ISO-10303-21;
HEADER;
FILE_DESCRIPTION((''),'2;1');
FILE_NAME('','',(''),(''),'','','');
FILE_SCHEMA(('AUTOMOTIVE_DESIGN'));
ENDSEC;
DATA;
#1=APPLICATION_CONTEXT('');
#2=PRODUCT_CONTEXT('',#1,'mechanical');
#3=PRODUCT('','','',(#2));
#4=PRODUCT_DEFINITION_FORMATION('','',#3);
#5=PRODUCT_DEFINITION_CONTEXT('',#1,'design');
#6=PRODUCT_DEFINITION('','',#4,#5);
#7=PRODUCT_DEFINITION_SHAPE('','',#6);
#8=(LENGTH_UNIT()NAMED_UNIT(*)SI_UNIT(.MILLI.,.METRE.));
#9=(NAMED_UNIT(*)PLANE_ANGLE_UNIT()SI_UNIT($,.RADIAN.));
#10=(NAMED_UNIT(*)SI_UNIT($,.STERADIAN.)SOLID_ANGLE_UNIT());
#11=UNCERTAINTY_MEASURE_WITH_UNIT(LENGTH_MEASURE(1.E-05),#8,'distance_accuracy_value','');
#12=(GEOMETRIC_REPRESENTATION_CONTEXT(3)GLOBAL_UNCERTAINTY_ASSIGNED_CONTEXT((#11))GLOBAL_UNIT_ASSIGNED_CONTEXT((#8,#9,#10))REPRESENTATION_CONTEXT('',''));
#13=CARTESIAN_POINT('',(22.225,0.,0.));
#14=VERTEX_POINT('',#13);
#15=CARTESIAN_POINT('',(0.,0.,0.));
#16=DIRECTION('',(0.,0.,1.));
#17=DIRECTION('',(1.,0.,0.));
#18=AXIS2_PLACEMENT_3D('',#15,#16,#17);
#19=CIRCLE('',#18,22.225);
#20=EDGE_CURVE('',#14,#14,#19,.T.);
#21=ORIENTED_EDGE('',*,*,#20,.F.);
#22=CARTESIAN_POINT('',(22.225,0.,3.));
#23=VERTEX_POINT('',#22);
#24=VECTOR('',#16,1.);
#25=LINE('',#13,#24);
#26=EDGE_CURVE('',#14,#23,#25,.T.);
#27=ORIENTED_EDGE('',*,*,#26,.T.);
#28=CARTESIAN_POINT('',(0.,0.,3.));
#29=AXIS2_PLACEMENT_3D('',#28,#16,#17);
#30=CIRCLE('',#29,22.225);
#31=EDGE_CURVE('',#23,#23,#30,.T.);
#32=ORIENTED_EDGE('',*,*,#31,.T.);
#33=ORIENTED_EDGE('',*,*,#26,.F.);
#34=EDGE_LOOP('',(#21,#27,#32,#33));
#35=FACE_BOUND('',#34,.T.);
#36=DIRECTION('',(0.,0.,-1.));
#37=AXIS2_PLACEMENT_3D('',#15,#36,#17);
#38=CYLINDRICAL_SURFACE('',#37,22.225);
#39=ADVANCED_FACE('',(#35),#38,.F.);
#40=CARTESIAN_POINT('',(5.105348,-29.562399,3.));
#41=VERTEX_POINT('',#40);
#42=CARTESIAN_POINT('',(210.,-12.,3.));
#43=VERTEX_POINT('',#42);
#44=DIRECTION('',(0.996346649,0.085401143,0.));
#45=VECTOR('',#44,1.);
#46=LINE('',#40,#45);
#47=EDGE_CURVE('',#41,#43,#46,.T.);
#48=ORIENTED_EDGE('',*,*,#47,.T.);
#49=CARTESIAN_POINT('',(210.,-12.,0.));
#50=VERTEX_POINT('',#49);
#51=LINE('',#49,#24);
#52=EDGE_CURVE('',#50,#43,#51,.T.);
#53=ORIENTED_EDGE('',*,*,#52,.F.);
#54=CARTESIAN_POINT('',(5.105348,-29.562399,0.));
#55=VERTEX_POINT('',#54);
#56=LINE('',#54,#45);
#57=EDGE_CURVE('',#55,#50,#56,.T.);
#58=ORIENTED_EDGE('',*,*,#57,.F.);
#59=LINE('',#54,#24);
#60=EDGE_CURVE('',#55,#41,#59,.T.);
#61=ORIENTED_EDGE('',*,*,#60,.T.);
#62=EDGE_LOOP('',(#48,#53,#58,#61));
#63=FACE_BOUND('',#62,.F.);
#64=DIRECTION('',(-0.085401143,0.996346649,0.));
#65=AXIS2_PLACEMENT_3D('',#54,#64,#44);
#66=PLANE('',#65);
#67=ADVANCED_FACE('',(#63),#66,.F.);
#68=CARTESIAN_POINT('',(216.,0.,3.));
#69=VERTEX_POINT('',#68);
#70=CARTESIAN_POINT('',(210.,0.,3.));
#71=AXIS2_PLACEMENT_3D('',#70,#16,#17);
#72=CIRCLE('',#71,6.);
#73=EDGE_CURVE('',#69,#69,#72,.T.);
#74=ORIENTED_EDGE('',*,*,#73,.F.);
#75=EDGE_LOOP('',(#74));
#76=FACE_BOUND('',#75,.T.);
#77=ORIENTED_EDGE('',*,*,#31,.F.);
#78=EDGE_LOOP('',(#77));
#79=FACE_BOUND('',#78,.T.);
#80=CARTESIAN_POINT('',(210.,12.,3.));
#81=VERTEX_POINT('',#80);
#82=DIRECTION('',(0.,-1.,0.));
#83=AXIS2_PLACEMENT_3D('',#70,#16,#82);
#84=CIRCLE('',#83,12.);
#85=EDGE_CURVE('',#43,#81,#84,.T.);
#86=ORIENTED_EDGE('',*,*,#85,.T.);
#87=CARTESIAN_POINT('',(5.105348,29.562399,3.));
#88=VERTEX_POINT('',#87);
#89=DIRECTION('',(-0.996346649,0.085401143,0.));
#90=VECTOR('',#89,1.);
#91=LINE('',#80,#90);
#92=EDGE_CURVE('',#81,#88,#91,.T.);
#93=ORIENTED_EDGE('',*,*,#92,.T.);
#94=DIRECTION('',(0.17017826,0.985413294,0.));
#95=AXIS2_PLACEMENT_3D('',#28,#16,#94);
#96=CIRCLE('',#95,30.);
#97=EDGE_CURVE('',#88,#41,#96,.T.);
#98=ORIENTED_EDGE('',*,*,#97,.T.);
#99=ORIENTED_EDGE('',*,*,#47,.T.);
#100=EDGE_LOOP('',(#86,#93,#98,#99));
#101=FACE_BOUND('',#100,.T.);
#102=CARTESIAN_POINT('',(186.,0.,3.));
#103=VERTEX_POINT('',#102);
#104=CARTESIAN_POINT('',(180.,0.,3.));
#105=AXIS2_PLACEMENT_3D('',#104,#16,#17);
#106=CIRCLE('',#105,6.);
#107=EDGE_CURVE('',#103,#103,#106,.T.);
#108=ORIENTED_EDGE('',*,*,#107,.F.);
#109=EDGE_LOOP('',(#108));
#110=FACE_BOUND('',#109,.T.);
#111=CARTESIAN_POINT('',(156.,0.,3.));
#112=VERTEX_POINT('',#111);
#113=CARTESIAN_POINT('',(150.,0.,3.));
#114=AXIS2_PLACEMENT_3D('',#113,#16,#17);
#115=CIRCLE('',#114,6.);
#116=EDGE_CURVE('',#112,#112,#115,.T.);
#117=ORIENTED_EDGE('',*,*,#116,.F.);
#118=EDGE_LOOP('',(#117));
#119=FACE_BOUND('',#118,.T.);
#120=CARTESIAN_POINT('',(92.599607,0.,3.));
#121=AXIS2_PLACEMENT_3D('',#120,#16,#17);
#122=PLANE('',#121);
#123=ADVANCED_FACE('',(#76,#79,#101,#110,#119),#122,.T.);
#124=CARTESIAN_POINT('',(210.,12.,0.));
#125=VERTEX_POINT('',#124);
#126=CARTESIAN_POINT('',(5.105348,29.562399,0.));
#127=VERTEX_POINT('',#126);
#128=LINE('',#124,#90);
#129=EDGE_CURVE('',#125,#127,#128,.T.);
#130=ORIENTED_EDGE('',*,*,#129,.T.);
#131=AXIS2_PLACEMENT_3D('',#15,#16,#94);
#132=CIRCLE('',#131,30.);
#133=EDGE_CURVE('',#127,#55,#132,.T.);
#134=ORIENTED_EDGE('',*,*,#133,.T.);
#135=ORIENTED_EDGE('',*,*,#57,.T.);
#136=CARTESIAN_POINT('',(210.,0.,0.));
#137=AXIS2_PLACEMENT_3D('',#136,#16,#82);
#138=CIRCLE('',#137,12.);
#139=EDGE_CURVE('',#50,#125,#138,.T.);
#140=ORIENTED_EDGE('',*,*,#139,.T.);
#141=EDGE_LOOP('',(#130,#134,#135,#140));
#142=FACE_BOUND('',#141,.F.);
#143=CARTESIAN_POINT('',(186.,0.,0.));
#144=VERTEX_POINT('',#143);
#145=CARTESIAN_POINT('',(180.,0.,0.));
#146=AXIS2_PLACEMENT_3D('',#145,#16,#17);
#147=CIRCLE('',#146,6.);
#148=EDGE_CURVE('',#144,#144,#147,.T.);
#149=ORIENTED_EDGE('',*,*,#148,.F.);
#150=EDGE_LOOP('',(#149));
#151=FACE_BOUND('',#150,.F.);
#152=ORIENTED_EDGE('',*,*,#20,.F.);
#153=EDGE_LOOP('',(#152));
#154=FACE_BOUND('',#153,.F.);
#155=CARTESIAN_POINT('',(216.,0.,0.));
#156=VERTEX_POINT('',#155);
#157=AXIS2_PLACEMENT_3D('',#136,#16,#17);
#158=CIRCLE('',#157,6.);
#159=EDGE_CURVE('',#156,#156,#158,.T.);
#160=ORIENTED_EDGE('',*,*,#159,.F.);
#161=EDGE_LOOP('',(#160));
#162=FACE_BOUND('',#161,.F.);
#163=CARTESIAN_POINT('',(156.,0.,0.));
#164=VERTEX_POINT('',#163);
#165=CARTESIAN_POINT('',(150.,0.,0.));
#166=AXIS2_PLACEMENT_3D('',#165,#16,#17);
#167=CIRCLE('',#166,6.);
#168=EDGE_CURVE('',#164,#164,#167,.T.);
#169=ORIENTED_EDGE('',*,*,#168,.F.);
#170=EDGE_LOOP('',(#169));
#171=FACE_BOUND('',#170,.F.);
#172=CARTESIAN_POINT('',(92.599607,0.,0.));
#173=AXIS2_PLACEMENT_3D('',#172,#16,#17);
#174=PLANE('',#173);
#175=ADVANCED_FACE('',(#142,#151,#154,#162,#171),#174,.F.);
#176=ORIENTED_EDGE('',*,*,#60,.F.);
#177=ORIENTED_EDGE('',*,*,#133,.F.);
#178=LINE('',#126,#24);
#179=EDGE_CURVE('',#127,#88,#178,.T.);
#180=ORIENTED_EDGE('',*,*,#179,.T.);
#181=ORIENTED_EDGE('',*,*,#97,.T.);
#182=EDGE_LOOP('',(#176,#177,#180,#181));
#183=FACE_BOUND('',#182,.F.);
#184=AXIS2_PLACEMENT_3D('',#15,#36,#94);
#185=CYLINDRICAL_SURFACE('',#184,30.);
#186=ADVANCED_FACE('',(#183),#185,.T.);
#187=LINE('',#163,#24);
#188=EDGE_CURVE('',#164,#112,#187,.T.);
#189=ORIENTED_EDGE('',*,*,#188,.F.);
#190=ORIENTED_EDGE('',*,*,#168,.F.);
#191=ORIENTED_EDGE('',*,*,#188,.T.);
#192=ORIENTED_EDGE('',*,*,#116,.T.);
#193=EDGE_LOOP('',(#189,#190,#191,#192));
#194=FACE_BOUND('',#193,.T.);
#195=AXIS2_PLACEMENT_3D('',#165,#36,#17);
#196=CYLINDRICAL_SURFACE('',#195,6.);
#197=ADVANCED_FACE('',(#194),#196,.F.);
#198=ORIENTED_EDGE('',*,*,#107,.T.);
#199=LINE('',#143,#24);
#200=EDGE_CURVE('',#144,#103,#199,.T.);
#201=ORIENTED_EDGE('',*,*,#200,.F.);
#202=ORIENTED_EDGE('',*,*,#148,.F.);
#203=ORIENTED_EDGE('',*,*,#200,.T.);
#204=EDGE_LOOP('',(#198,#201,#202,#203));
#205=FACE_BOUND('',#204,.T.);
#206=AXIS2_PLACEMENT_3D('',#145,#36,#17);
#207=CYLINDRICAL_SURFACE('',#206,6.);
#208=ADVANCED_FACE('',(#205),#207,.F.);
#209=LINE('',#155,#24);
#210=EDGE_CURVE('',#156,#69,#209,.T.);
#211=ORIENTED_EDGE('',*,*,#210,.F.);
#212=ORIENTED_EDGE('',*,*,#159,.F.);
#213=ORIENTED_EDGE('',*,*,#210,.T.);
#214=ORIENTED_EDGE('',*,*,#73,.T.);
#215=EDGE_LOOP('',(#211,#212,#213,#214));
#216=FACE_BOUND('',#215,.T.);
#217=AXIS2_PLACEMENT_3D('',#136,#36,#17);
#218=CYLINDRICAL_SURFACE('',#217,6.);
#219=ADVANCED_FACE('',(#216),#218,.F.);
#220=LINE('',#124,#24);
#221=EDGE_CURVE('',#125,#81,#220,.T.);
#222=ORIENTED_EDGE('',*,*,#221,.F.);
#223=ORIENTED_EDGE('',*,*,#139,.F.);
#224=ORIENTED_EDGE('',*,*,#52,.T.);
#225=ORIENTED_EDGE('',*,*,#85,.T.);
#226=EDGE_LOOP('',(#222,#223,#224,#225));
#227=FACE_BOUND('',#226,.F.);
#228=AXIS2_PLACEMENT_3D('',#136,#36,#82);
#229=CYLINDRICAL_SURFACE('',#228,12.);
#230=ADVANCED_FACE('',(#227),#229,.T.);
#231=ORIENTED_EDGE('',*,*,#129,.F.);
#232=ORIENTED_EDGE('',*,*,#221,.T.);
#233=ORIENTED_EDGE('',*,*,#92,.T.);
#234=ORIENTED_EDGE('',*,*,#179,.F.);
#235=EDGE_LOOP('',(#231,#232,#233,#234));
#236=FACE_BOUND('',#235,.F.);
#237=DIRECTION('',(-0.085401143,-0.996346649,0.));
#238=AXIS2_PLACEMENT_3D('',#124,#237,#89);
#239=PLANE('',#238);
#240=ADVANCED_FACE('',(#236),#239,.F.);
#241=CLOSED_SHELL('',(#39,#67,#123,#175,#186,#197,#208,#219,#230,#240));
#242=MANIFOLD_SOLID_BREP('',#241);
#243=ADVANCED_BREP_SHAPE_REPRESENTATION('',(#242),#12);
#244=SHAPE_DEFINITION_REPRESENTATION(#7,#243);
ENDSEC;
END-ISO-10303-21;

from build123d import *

# Parameters (mm, degrees)
F0_R     = 22.225
F0_R_2   = 6
F1_DEPTH = 3


with BuildPart() as f1:
    # F0 (on Top) → F1 (new body)
    with BuildSketch(Plane.XY):
        with BuildLine():
            Line((210, 12), (5.105348, 29.562399))
            ThreePointArc((5.105348, 29.562399), (-30, 0), (5.105348, -29.562399))
            Line((5.105348, -29.562399), (210, -12))
            ThreePointArc((210, -12), (222, 0), (210, 12))
        make_face()
        Circle(F0_R, mode=Mode.SUBTRACT)
        with Locations((150, 0)):
            Circle(F0_R_2, mode=Mode.SUBTRACT)
        with Locations((180, 0)):
            Circle(F0_R_2, mode=Mode.SUBTRACT)
        with Locations((210, 0)):
            Circle(F0_R_2, mode=Mode.SUBTRACT)
    extrude(amount=F1_DEPTH)


solid = f1.part
